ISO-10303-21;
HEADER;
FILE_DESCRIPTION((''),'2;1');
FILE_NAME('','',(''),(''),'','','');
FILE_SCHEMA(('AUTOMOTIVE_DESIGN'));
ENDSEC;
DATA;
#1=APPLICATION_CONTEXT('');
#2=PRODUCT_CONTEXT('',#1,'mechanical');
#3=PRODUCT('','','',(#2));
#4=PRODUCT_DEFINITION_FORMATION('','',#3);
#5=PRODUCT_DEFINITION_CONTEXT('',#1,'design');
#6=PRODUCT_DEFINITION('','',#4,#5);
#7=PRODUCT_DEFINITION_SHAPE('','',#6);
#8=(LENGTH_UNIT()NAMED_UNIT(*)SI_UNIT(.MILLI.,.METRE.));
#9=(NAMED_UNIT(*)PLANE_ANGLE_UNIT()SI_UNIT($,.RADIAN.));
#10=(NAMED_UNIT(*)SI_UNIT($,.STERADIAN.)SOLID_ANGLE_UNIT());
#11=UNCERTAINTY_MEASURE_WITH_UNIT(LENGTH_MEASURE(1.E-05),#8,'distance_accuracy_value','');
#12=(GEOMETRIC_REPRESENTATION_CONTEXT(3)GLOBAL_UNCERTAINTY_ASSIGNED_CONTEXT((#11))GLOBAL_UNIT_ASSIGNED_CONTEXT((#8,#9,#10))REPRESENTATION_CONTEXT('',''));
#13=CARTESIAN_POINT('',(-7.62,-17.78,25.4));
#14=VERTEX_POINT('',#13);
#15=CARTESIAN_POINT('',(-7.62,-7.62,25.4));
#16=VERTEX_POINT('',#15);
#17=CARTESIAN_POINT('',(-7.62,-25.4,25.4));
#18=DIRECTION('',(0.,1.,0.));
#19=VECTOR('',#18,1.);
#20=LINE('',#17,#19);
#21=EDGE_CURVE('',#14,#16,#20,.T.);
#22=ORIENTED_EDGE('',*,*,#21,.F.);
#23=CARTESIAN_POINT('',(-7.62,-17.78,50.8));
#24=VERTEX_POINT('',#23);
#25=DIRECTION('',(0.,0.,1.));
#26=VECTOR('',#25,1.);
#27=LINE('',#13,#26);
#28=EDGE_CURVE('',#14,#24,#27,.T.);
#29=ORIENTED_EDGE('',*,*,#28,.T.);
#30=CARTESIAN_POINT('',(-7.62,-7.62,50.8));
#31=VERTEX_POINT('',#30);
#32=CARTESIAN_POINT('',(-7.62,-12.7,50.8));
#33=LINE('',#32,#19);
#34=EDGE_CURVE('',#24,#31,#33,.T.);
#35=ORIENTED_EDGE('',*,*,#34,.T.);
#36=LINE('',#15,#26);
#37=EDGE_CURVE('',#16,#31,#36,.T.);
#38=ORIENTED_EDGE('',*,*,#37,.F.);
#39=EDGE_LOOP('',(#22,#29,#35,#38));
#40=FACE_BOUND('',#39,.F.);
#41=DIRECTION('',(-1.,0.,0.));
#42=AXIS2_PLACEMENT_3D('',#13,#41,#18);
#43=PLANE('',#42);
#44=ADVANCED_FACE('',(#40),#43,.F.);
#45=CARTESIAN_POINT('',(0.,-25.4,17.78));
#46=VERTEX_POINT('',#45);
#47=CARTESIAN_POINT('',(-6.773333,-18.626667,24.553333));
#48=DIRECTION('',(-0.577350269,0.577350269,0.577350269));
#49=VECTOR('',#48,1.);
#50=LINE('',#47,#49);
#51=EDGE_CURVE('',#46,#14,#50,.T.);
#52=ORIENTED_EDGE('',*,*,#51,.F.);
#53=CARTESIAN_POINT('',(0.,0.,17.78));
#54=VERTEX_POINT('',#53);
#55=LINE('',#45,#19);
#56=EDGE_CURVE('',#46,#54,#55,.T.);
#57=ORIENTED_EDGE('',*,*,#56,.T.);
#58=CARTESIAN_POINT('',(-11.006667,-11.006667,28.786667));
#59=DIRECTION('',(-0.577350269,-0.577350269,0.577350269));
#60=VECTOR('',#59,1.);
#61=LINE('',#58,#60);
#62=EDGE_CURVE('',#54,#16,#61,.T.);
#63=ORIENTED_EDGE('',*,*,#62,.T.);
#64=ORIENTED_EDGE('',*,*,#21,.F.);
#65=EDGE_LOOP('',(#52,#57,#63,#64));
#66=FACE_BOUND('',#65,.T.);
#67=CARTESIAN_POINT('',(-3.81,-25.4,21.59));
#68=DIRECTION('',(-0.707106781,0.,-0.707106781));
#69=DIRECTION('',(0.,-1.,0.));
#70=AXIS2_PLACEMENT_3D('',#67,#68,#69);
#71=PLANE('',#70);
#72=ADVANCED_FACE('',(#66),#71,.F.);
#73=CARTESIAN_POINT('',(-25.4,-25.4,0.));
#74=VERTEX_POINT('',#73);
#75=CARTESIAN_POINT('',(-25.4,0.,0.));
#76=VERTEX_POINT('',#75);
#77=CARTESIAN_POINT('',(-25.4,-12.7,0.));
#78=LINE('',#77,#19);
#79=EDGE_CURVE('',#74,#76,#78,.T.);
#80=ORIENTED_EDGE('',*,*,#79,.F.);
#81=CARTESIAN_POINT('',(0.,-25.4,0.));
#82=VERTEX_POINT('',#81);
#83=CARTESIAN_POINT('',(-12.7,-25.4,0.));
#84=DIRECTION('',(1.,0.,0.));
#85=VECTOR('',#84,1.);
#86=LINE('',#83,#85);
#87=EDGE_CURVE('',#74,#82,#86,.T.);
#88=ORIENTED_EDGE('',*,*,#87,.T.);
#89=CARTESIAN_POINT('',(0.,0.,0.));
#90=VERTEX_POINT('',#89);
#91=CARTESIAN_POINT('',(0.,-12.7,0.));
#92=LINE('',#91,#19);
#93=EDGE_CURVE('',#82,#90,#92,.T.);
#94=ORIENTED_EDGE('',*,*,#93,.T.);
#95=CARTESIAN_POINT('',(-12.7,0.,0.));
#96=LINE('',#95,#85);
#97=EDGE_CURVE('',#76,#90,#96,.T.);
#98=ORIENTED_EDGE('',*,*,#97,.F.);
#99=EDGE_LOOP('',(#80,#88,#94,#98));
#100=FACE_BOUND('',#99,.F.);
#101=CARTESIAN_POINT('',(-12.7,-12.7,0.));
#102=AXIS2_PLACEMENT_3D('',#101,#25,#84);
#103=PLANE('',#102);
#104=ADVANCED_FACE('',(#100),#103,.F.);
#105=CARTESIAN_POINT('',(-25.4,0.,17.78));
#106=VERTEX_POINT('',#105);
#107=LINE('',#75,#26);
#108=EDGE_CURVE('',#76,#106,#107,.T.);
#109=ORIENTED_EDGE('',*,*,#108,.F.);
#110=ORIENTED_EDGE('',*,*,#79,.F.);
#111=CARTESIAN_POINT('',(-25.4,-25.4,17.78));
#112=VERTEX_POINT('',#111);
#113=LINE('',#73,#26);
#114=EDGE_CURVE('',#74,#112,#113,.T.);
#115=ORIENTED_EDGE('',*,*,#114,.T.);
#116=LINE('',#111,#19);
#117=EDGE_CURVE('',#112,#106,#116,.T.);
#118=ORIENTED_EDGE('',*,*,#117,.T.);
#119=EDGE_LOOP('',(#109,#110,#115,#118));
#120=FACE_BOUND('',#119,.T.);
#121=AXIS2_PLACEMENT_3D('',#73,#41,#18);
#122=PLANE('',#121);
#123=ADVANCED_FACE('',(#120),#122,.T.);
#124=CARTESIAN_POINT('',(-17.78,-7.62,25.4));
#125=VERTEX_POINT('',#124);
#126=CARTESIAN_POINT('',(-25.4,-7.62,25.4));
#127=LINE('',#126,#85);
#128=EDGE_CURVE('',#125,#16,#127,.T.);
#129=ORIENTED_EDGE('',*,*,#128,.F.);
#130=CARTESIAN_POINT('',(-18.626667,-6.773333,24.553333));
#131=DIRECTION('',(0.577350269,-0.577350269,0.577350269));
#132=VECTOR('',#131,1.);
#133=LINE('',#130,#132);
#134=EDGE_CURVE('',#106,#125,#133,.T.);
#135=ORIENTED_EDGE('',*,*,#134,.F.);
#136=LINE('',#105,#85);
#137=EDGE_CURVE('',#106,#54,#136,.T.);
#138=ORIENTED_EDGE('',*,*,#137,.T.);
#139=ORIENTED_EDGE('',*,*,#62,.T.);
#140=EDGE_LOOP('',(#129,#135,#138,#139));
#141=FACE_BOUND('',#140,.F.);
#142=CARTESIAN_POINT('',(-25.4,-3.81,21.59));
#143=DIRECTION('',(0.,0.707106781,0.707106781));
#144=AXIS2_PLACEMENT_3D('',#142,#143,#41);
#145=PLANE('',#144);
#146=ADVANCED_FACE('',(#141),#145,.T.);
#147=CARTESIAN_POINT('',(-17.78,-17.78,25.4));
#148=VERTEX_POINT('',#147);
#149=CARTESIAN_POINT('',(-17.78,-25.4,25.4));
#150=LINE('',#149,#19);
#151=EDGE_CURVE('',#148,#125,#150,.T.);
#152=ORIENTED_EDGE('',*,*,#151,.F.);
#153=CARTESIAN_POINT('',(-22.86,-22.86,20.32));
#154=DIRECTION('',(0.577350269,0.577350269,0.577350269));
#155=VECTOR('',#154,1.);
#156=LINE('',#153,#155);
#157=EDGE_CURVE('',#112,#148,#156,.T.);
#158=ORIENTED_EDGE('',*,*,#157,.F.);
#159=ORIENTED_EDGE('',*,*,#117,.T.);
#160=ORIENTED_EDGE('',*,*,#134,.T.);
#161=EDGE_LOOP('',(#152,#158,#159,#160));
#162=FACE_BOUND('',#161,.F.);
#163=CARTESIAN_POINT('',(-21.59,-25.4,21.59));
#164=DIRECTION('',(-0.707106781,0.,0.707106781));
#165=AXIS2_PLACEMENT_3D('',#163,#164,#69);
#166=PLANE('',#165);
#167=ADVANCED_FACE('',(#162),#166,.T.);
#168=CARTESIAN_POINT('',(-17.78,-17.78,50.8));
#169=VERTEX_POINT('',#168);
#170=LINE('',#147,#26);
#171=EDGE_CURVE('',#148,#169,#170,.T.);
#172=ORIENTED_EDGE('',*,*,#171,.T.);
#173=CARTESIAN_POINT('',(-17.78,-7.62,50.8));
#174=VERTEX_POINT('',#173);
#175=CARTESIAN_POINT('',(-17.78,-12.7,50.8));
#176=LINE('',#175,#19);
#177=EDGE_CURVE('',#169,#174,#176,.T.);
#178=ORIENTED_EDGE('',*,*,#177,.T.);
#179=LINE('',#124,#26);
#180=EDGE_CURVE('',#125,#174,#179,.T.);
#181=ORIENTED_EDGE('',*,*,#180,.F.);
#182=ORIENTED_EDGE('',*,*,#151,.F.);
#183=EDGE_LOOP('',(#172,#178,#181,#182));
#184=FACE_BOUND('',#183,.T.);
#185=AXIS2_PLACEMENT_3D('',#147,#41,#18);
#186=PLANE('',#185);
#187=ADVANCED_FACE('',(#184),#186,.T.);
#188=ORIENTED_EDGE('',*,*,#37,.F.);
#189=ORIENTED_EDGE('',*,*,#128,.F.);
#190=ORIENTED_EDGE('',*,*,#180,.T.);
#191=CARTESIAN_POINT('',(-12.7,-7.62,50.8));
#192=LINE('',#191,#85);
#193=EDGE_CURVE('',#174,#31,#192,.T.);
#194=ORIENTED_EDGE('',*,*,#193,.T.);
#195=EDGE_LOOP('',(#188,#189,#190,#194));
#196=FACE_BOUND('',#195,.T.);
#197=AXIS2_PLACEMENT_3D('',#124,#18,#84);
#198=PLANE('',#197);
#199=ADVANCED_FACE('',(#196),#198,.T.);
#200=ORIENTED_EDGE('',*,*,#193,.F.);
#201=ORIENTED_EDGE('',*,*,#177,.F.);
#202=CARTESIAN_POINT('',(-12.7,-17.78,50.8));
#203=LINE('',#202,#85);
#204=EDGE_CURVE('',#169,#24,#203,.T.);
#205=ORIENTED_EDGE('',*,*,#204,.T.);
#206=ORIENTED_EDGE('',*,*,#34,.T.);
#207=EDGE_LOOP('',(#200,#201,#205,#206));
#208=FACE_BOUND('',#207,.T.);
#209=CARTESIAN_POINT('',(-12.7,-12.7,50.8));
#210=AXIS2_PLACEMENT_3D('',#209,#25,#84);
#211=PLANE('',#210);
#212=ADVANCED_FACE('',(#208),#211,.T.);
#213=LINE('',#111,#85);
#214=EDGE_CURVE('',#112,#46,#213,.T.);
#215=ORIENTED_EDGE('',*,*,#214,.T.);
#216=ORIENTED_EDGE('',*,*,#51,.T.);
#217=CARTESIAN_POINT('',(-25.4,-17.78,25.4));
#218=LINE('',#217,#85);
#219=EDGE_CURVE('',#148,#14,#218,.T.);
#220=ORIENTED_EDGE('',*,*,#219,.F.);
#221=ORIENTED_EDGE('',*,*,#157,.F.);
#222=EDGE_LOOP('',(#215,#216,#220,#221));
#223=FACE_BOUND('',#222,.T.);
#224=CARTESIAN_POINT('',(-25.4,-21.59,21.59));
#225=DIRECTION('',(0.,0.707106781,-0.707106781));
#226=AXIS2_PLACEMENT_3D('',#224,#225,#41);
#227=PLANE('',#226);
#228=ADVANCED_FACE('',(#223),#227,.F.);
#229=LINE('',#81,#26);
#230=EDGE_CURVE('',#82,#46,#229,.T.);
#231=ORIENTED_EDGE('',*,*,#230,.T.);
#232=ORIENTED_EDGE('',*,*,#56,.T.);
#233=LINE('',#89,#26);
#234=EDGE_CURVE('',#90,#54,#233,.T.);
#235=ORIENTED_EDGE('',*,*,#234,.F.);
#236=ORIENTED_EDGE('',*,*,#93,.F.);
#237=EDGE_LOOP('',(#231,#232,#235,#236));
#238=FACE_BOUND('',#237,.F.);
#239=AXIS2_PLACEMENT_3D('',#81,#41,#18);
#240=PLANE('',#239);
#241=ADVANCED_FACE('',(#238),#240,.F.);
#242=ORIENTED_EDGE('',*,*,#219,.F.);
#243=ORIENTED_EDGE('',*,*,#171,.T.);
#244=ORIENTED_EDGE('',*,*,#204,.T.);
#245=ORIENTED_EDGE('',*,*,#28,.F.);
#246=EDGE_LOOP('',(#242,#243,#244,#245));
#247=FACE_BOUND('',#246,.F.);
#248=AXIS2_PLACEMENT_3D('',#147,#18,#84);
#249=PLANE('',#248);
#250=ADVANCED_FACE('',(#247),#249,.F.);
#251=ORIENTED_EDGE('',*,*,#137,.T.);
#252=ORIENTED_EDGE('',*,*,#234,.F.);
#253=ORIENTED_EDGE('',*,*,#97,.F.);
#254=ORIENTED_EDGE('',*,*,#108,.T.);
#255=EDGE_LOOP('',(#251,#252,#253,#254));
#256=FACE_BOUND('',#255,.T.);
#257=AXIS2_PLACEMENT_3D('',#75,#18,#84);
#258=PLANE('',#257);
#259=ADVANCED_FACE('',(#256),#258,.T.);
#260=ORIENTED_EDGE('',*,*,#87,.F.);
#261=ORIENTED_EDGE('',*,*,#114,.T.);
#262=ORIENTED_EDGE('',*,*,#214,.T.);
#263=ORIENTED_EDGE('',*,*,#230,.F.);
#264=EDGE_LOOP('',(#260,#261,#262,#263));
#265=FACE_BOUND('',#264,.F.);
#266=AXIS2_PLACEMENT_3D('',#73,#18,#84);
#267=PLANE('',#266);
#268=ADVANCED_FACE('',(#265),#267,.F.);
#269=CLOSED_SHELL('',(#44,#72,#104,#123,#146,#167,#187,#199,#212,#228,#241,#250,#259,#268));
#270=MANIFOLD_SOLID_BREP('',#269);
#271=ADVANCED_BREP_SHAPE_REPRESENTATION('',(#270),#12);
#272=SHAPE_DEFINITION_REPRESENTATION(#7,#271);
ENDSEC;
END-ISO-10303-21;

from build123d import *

# Parameters (mm, degrees)
F0_W     = 25.4
F0_H     = 25.4
F1_DEPTH = 25.4
F2_SIZE  = 7.62
F3_W     = 10.16
F3_H     = 10.16
F4_DEPTH = 25.4


with BuildPart() as f1:
    # F0 (on Top) → F1 (new body)
    with BuildSketch(Plane.XY):
        with Locations((-12.7, -12.7)):
            Rectangle(F0_W, F0_H)
    extrude(amount=F1_DEPTH)

    # F2
    f2_edges = [f1.edges().sort_by_distance(p)[0] for p in [
        (-12.7, -25.4, 25.4),
        (-25.4, -12.7, 25.4),
        (-12.7, 0, 25.4),
        (0, -12.7, 25.4),
    ]]
    chamfer(f2_edges, length=F2_SIZE)

    # F3 (on face) → F4 (join)
    with BuildSketch(Plane.XY.offset(25.4)):
        with Locations((-12.7, -12.7)):
            Rectangle(F3_W, F3_H)
    extrude(amount=F4_DEPTH)


solid = f1.part
